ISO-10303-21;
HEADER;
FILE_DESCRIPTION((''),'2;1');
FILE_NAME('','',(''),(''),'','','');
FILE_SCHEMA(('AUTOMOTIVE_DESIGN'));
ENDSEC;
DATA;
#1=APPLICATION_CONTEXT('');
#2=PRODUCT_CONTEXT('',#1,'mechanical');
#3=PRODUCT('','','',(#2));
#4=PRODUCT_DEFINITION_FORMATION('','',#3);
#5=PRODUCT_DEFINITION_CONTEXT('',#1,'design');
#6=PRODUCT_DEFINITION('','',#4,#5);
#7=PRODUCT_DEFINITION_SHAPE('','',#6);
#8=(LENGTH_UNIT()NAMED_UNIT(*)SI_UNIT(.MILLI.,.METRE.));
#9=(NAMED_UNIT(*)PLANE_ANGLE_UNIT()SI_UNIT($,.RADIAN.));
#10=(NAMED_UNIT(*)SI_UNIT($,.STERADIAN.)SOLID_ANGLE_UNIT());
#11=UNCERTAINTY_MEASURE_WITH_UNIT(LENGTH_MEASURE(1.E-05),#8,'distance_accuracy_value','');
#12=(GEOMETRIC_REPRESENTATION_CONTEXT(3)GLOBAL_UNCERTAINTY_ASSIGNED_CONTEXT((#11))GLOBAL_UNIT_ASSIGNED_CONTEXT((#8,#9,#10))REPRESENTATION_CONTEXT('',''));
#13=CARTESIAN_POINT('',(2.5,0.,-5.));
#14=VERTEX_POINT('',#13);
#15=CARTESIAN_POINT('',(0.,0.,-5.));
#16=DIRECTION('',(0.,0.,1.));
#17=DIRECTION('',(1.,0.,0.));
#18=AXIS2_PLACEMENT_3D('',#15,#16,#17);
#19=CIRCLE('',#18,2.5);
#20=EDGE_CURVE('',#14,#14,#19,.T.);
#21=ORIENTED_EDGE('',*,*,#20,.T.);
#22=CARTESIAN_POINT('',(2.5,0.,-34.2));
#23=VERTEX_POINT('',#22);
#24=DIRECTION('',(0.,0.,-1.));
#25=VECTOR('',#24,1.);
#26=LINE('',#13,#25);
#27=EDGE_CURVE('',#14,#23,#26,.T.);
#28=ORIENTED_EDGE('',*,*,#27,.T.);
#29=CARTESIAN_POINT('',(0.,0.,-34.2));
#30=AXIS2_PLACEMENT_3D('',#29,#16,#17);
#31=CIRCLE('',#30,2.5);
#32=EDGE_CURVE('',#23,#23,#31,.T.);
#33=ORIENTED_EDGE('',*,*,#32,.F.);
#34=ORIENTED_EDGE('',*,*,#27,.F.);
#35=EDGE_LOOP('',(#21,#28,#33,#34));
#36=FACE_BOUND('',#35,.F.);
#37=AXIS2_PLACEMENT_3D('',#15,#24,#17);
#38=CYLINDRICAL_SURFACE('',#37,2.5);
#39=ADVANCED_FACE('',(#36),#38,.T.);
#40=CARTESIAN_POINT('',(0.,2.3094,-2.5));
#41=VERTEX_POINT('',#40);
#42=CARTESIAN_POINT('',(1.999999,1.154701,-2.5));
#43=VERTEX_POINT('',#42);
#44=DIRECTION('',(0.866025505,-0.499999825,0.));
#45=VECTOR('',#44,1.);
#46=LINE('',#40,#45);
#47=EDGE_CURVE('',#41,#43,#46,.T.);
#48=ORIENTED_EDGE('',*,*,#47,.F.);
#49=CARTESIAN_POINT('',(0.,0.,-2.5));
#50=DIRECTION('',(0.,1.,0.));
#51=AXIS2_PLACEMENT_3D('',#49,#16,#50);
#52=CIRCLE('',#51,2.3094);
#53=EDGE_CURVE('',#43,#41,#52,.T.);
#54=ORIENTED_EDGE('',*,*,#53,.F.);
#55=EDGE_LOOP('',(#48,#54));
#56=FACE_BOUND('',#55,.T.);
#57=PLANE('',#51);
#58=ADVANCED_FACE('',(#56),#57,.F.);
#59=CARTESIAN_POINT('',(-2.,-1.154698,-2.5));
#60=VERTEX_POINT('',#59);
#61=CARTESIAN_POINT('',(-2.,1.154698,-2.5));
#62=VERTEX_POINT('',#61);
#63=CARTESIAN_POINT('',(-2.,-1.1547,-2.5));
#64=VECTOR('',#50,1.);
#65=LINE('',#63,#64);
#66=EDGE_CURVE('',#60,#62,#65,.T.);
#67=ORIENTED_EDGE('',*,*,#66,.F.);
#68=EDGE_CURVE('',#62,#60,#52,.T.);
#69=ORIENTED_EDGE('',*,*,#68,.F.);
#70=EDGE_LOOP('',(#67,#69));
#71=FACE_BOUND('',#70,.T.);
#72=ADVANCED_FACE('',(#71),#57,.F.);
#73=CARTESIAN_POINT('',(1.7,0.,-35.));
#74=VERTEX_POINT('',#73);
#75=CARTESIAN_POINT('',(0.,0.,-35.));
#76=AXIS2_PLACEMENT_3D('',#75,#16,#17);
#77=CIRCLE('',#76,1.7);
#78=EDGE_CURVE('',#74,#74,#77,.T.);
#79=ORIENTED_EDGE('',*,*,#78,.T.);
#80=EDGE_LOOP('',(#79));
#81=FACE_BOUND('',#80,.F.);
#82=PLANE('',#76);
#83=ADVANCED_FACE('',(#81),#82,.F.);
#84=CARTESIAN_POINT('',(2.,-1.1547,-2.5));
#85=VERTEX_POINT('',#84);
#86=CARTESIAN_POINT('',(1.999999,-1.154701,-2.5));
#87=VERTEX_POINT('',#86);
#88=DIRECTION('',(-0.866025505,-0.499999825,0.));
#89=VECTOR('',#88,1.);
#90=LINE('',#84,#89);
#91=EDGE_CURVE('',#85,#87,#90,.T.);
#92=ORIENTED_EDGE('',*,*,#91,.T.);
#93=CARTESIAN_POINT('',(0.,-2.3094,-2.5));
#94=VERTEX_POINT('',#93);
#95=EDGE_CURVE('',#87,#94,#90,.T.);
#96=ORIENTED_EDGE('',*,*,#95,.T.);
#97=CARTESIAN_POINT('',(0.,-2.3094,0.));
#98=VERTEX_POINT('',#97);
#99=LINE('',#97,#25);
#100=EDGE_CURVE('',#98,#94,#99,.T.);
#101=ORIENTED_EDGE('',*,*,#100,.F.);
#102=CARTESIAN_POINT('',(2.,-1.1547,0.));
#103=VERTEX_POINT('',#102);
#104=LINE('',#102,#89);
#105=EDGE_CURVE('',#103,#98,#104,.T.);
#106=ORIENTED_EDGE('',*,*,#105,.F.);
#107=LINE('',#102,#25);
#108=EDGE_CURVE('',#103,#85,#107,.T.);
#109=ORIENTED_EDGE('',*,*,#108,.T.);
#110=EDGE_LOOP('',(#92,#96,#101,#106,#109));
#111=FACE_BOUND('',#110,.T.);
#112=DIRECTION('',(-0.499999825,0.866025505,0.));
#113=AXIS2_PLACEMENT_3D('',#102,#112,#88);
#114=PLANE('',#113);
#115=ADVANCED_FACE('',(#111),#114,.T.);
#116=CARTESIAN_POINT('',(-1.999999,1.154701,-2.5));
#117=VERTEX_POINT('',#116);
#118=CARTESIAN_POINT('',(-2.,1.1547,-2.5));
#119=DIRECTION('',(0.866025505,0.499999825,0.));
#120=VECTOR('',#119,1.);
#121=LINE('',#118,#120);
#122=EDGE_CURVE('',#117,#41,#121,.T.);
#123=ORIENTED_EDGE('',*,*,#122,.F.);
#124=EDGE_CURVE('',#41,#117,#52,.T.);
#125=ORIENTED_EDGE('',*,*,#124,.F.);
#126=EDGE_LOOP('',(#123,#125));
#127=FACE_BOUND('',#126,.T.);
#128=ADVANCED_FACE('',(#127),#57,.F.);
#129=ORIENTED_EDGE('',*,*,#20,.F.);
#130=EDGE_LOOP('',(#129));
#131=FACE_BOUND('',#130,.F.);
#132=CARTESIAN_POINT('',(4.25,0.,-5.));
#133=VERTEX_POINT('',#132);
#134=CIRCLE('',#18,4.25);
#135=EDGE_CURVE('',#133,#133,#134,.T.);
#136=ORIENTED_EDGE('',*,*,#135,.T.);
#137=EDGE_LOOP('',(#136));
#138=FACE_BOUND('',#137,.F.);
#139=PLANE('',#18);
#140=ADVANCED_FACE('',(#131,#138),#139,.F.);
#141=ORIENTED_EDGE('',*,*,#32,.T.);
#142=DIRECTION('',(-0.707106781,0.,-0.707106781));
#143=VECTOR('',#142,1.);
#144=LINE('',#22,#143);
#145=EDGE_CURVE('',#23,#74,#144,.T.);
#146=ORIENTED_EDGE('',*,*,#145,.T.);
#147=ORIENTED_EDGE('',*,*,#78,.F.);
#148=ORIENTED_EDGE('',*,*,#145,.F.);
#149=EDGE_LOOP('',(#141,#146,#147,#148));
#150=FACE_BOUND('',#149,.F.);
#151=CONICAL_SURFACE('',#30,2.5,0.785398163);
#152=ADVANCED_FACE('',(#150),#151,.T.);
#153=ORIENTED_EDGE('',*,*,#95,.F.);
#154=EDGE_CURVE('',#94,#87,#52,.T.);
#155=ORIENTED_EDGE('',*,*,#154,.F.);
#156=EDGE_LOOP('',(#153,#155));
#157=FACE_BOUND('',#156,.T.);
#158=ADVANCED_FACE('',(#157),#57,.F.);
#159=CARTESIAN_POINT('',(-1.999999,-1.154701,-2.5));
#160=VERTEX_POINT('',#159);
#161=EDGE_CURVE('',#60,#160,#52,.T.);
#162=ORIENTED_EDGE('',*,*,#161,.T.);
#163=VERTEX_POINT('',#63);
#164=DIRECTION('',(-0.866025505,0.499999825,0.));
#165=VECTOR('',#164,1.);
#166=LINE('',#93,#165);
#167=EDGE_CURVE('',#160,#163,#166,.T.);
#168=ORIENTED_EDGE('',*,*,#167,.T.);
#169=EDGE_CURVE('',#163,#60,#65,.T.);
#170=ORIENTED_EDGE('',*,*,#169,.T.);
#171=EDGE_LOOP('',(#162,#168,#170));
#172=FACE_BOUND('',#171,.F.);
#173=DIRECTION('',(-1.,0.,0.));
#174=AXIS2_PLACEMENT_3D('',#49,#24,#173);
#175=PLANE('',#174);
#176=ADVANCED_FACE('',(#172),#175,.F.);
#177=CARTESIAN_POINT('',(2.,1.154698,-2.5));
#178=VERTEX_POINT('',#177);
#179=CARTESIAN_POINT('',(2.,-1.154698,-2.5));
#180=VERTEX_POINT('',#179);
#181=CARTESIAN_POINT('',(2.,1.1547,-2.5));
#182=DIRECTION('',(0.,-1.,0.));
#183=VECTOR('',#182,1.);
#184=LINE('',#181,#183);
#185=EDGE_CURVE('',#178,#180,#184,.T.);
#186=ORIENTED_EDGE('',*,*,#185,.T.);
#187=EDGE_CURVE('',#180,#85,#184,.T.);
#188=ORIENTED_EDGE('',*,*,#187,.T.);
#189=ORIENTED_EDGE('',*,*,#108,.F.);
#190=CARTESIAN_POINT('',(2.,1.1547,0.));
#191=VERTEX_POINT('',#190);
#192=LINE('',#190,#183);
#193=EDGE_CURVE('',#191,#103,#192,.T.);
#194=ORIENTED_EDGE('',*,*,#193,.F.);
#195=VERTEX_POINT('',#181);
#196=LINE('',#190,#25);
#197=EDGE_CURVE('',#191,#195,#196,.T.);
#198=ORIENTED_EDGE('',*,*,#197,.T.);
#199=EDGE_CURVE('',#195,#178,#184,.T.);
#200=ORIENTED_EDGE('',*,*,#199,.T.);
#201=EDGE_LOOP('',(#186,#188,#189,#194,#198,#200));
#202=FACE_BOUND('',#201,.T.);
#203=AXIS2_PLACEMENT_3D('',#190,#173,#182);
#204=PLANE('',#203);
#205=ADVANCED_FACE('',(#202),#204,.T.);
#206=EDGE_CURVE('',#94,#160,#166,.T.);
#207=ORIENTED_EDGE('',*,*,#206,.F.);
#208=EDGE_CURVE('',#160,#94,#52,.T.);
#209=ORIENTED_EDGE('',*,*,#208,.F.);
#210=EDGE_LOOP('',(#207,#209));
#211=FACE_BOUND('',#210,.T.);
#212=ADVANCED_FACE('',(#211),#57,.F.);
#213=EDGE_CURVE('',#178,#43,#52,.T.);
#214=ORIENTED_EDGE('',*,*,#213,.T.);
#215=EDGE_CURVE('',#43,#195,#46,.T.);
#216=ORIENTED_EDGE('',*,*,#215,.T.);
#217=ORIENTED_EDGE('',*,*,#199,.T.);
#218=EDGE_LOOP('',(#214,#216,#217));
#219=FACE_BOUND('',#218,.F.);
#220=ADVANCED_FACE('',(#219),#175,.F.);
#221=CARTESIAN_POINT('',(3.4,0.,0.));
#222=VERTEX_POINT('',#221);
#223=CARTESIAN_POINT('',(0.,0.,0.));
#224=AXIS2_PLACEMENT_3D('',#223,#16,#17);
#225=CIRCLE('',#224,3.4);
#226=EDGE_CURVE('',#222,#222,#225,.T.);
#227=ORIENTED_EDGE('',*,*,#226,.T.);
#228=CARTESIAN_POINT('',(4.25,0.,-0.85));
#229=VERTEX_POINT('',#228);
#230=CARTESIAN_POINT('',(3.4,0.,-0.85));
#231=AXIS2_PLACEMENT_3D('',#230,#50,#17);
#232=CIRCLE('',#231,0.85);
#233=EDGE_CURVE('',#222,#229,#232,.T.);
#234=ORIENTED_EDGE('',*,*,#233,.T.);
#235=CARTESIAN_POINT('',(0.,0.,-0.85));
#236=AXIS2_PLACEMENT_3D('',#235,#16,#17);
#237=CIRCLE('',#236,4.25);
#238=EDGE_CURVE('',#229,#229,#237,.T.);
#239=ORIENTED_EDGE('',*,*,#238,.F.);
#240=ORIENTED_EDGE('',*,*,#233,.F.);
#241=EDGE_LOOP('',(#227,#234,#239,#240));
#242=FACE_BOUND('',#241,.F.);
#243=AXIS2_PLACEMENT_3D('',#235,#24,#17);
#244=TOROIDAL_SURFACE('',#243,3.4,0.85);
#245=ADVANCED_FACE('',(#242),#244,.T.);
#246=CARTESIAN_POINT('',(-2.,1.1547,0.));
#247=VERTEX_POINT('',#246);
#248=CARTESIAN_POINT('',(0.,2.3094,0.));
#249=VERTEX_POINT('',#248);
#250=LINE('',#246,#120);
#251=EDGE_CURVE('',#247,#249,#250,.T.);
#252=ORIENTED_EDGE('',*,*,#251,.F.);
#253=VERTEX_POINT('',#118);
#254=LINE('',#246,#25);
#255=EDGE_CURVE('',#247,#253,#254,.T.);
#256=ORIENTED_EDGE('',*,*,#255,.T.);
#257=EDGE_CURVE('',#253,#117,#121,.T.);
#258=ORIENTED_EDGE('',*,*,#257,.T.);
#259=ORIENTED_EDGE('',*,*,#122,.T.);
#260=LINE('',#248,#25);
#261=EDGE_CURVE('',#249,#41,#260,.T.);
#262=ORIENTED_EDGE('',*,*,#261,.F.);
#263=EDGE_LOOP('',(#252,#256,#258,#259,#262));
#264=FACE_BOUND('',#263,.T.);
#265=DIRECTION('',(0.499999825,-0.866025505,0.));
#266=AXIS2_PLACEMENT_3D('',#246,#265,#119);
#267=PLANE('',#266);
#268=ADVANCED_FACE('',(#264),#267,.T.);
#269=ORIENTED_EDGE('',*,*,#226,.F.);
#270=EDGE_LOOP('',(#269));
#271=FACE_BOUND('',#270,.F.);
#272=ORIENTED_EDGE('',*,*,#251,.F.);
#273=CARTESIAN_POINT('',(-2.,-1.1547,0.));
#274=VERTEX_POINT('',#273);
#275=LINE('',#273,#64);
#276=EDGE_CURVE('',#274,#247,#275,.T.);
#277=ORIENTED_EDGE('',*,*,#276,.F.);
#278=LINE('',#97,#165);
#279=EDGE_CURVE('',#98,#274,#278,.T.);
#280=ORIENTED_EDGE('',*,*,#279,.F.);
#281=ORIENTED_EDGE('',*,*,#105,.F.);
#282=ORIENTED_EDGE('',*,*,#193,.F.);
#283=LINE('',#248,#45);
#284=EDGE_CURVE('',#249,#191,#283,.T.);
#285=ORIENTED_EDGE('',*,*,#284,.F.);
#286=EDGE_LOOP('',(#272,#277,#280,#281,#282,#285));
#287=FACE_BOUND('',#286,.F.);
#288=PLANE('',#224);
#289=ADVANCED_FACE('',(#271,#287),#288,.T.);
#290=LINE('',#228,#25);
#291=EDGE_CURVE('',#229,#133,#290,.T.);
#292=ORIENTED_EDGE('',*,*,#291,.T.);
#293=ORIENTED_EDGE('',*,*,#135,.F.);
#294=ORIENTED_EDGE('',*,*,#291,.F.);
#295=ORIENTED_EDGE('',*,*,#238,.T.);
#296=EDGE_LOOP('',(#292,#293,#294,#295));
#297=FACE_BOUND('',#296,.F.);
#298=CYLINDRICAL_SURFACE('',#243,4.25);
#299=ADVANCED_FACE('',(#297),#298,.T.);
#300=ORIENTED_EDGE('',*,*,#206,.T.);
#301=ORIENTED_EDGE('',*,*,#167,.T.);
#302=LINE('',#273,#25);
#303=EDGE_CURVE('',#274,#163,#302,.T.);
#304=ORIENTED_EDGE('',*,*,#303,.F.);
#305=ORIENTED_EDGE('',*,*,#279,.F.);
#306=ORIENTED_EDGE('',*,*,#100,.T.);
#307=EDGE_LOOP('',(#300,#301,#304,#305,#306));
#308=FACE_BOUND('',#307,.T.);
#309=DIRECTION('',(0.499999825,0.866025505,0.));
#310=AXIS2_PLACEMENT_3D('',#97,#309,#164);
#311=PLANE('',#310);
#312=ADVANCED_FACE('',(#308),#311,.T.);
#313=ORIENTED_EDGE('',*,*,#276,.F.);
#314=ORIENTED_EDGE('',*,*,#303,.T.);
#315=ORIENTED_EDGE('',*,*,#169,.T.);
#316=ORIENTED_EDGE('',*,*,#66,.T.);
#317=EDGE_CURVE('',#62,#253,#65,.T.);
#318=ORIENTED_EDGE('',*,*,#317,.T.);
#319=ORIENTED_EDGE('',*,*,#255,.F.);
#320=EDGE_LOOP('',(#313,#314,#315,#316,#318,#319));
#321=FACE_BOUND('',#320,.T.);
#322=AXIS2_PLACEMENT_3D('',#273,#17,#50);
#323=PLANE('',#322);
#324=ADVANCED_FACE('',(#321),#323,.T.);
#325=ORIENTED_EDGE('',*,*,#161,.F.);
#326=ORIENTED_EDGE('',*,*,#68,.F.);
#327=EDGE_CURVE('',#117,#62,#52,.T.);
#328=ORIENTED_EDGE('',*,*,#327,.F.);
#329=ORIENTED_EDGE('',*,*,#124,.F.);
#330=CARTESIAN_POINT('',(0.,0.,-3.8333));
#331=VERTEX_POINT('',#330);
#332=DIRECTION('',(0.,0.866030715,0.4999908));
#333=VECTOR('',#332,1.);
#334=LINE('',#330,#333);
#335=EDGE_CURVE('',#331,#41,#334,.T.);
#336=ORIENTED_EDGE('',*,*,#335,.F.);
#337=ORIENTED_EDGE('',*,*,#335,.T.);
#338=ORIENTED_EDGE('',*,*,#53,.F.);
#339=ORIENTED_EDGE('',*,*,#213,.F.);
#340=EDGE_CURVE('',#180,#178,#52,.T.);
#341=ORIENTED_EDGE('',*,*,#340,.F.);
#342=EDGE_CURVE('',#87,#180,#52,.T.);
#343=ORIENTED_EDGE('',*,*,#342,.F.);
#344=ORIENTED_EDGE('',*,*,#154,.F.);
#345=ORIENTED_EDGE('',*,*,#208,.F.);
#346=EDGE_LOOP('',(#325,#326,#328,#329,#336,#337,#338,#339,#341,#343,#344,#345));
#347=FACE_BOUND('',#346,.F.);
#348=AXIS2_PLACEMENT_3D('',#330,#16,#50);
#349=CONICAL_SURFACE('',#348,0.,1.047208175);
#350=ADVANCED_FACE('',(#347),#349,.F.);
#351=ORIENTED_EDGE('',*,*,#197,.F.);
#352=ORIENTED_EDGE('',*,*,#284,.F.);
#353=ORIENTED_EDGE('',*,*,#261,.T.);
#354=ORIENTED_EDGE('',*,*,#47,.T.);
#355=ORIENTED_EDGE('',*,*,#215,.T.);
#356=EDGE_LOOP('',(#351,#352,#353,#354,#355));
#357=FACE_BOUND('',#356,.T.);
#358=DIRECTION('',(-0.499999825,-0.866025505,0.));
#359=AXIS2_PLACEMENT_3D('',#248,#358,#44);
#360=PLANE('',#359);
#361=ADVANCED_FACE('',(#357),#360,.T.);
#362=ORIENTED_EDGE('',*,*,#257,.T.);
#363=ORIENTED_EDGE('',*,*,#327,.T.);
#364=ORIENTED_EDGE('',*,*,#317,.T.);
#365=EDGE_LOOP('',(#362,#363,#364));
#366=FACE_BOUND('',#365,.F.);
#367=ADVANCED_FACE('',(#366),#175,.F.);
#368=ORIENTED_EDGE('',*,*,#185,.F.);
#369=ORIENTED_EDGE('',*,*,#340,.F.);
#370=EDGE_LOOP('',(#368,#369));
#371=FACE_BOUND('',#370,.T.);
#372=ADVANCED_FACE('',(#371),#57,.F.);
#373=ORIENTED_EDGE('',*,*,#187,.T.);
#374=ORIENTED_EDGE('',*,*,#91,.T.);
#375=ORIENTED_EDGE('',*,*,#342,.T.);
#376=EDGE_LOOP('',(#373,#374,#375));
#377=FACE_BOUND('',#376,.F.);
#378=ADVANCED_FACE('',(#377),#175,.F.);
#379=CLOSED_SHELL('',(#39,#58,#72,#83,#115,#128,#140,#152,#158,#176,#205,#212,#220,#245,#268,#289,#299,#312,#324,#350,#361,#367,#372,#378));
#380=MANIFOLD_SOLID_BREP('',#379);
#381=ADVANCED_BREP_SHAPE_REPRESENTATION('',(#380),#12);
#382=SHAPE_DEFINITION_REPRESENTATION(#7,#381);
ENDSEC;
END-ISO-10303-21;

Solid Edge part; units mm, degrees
sketch "Sketch1" plane through (0, 0, 0) normal (0, -1, 0) x (1, 0, 0)
  line L0 (0, 0) -> (3.4, 0)
  arc A0 (3.4, 0) -> (4.25, -0.85) centre (3.4, -0.85) cw
  line L1 (4.25, -0.85) -> (4.25, -5)
  line L2 (4.25, -5) -> (2.5, -5)
  line L3 (2.5, -5) -> (2.5, -34.2)
  line L4 (2.5, -34.2) -> (1.7, -35)
  line L5 (1.7, -35) -> (0, -35)
revolve "RevolvedProtrusion1" add sketch "Sketch1" angle 360 about axis through (0, 0, -35) along (0, 0, 1)
sketch "Sketch2" plane through (0, 0, 0) normal (0, 0, 1) x (1, 0, 0)
  line L0 (-2, -1.1547) -> (-2, 1.1547)
  line L1 (-2, 1.1547) -> (0, 2.3094)
  line L2 (0, 2.3094) -> (2, 1.1547)
  line L3 (2, 1.1547) -> (2, -1.1547)
  line L4 (2, -1.1547) -> (0, -2.3094)
  line L5 (0, -2.3094) -> (-2, -1.1547)
extrude "Cutout1" cut sketch "Sketch2" against normal blind 2.5
sketch "Sketch3" plane through (0, 0, 0) normal (1, 0, 0) x (0, 1, 0)
  line L0 (0, -3.8333) -> (2.3094, -2.5)
  line L1 (0, -2.5) -> (2.3094, -2.5)
  line L2 (0, -2.5) -> (0, -3.8333)
revolve "RevolvedCutout1" cut sketch "Sketch3" angle 360 about axis through (0, 0, -60.325) along (0, 0, 1)
cosmetic_thread "Thread1" size "M5"
properties part number "21"
